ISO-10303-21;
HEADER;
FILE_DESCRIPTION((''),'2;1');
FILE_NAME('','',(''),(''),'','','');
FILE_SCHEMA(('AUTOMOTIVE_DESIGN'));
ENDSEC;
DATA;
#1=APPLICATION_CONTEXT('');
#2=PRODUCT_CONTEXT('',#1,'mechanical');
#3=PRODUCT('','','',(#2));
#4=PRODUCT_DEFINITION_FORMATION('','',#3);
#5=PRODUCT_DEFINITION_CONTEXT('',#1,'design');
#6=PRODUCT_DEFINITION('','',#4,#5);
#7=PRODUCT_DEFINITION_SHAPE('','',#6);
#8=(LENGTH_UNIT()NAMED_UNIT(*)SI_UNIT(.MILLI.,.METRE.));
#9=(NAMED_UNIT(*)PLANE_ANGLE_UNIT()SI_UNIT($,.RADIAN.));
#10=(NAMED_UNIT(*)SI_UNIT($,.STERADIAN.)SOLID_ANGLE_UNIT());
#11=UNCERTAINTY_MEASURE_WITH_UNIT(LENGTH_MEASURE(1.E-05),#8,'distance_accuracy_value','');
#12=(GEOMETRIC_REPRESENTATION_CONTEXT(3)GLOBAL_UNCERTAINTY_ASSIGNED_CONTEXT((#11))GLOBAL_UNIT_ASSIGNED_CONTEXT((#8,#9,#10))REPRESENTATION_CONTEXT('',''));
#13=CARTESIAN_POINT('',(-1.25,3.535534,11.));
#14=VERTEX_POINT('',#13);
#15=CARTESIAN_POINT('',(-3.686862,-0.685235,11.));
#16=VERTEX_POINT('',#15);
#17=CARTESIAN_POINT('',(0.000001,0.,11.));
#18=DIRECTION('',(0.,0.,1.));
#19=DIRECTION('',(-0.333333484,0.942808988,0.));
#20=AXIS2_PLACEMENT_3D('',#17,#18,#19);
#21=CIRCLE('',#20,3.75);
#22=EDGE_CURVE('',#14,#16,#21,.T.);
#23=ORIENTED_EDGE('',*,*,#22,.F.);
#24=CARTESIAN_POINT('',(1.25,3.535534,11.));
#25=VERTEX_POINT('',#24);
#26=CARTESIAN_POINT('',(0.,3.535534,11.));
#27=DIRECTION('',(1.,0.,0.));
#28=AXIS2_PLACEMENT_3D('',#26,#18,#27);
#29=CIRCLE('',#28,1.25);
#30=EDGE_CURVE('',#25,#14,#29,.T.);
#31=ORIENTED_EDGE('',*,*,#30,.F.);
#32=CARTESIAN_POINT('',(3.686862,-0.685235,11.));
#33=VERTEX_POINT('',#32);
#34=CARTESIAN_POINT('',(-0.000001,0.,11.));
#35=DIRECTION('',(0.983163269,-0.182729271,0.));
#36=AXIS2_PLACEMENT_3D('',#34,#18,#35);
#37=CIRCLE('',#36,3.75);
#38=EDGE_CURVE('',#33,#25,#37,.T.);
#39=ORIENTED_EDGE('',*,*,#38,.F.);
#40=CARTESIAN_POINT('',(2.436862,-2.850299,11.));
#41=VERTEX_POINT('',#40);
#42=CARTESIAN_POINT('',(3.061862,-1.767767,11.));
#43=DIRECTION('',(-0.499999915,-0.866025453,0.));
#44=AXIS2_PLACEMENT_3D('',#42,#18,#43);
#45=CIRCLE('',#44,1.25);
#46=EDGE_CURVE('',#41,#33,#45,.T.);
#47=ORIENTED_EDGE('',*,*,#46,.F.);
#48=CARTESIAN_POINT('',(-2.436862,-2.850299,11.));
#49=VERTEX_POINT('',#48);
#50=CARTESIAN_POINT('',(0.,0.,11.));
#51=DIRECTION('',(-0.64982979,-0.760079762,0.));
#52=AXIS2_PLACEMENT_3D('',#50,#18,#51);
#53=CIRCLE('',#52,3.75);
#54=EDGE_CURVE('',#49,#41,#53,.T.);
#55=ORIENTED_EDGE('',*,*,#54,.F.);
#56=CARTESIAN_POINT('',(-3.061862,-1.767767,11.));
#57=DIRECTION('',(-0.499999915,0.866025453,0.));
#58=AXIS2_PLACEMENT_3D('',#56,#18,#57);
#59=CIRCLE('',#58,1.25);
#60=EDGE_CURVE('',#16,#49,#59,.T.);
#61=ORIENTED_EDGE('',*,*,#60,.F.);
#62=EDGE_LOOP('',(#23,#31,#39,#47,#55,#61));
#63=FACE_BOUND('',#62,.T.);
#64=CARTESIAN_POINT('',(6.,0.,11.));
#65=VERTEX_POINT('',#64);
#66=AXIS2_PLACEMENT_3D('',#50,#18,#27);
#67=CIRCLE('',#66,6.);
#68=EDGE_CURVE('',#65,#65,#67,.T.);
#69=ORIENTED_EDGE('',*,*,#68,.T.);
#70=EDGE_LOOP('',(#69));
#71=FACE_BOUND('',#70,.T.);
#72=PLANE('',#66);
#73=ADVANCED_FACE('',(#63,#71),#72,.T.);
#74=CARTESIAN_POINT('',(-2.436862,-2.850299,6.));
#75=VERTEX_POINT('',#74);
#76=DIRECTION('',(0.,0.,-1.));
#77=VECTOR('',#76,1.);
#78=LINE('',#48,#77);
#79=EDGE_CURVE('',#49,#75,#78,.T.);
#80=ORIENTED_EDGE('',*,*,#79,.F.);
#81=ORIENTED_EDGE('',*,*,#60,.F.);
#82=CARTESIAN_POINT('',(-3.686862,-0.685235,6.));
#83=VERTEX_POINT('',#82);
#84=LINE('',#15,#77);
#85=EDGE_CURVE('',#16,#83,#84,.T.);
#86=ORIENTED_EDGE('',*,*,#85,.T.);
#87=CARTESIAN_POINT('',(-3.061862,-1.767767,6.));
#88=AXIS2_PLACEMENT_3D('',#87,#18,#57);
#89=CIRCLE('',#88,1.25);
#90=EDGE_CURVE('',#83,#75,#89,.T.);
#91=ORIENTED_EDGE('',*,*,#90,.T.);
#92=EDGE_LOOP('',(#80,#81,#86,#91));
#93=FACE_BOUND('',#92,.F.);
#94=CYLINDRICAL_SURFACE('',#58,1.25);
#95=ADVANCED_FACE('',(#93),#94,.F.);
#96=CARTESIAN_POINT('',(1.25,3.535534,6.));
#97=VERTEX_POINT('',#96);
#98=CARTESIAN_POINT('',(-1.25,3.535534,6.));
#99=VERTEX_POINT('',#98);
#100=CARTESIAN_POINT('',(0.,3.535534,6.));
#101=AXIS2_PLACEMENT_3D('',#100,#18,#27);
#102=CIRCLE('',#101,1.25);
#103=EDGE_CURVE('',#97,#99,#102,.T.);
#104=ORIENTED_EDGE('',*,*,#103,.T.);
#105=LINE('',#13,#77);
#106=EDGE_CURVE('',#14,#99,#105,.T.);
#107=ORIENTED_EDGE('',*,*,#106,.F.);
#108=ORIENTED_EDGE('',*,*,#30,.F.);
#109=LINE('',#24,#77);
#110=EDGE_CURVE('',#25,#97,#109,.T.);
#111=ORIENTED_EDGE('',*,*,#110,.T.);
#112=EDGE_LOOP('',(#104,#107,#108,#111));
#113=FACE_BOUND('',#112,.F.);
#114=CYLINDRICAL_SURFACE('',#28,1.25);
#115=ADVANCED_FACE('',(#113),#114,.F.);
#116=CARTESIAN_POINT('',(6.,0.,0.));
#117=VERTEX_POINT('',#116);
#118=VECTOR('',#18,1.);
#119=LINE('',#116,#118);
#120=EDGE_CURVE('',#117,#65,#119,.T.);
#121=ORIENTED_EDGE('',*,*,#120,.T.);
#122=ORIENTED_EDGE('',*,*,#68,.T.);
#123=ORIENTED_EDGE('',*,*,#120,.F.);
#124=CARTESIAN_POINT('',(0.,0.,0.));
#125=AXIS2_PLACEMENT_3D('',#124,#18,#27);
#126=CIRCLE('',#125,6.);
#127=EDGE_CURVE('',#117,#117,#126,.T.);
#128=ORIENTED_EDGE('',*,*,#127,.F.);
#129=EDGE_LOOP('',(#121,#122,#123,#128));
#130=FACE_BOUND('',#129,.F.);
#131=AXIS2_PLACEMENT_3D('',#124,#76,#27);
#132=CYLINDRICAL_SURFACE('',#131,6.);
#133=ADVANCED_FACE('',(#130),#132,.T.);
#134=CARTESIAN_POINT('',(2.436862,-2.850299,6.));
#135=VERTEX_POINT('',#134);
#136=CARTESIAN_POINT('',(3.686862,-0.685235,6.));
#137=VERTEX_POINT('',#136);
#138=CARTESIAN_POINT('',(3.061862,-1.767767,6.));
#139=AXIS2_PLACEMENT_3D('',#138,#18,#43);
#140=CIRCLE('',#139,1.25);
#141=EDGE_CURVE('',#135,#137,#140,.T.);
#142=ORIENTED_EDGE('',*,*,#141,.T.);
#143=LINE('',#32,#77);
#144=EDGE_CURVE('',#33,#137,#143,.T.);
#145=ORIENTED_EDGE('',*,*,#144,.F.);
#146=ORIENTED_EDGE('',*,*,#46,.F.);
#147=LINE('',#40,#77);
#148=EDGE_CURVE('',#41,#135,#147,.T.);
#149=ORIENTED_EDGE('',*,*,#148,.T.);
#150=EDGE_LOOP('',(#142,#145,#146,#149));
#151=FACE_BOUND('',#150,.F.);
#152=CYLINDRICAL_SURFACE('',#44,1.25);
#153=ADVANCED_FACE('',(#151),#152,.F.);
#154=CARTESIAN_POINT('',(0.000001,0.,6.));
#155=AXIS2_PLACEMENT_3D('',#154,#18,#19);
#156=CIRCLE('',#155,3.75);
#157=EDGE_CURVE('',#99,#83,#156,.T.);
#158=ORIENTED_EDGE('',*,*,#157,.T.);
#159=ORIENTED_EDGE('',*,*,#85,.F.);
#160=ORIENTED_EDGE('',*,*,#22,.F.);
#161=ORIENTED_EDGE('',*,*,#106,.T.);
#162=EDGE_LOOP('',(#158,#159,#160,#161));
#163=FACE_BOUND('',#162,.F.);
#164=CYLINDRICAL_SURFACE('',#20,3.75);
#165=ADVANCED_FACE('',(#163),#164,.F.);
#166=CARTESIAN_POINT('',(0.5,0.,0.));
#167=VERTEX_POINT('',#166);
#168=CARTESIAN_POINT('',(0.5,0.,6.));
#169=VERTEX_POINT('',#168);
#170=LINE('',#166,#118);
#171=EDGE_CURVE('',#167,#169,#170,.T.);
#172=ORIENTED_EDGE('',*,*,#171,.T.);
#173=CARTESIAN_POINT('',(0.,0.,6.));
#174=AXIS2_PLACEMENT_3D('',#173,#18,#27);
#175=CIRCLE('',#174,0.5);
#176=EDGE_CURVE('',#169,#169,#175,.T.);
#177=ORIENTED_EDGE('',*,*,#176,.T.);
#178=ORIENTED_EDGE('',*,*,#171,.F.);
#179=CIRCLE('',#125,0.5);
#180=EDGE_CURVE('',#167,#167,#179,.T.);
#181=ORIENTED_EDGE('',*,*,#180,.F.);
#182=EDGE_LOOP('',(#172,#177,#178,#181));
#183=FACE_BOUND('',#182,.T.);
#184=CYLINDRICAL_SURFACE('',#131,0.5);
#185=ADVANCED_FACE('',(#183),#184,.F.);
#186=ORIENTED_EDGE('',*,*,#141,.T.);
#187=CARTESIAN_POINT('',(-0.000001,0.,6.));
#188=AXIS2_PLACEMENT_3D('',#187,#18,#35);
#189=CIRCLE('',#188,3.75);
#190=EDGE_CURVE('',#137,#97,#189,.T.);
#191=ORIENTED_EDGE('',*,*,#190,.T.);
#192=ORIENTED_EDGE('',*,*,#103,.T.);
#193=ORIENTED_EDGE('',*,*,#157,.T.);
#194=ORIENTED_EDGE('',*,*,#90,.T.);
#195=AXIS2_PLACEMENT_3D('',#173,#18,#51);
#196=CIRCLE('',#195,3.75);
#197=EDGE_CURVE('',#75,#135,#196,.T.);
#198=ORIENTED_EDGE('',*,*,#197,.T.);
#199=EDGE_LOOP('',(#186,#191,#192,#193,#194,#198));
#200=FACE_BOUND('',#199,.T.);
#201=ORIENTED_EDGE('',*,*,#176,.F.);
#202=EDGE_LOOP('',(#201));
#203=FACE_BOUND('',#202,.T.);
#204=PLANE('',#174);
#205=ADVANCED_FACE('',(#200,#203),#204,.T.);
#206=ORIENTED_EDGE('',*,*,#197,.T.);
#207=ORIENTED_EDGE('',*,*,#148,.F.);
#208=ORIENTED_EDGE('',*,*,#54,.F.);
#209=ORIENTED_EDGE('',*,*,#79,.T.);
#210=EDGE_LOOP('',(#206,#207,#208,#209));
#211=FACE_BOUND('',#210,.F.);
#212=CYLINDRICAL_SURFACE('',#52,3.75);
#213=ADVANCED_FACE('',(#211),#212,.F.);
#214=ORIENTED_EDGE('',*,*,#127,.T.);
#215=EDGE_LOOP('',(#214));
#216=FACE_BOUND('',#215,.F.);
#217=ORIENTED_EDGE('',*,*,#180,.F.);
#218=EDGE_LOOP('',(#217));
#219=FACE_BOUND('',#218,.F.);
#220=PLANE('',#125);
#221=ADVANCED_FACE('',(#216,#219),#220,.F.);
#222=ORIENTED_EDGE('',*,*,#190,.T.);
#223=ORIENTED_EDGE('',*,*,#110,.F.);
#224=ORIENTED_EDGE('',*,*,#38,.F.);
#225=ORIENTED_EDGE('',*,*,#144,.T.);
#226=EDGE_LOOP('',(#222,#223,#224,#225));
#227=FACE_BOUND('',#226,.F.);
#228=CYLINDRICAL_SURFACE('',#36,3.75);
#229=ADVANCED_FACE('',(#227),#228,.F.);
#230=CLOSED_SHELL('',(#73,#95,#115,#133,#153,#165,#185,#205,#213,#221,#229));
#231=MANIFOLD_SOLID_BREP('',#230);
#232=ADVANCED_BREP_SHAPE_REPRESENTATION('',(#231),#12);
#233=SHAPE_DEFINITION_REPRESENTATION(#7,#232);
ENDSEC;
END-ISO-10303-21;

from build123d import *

# Parameters (mm, degrees)
F0_R     = 6
F0_R_2   = 0.5
F1_DEPTH = 11
F2_R     = 0.5
F3_DEPTH = 5


with BuildPart() as f1:
    # F0 (on Top) → F1 (new body)
    with BuildSketch(Plane.XY):
        Circle(F0_R)
        Circle(F0_R_2, mode=Mode.SUBTRACT)
    extrude(amount=F1_DEPTH)

    # F2 (on face) → F3 (cut)
    with BuildSketch(Plane.XY.offset(11)):
        with BuildLine():
            ThreePointArc((-1.25, 3.535534), (-3.247595, 1.875), (-3.686862, -0.685235))
            ThreePointArc((-3.686862, -0.685235), (-4.144394, -2.392767), (-2.436862, -2.850299))
            ThreePointArc((-2.436862, -2.850299), (0, -3.75), (2.436862, -2.850299))
            ThreePointArc((2.436862, -2.850299), (4.144394, -2.392767), (3.686862, -0.685235))
            ThreePointArc((3.686862, -0.685235), (3.247595, 1.875), (1.25, 3.535534))
            ThreePointArc((1.25, 3.535534), (0, 4.785534), (-1.25, 3.535534))
        make_face()
        Circle(F2_R, mode=Mode.SUBTRACT)
    extrude(amount=-F3_DEPTH, mode=Mode.SUBTRACT)


solid = f1.part
